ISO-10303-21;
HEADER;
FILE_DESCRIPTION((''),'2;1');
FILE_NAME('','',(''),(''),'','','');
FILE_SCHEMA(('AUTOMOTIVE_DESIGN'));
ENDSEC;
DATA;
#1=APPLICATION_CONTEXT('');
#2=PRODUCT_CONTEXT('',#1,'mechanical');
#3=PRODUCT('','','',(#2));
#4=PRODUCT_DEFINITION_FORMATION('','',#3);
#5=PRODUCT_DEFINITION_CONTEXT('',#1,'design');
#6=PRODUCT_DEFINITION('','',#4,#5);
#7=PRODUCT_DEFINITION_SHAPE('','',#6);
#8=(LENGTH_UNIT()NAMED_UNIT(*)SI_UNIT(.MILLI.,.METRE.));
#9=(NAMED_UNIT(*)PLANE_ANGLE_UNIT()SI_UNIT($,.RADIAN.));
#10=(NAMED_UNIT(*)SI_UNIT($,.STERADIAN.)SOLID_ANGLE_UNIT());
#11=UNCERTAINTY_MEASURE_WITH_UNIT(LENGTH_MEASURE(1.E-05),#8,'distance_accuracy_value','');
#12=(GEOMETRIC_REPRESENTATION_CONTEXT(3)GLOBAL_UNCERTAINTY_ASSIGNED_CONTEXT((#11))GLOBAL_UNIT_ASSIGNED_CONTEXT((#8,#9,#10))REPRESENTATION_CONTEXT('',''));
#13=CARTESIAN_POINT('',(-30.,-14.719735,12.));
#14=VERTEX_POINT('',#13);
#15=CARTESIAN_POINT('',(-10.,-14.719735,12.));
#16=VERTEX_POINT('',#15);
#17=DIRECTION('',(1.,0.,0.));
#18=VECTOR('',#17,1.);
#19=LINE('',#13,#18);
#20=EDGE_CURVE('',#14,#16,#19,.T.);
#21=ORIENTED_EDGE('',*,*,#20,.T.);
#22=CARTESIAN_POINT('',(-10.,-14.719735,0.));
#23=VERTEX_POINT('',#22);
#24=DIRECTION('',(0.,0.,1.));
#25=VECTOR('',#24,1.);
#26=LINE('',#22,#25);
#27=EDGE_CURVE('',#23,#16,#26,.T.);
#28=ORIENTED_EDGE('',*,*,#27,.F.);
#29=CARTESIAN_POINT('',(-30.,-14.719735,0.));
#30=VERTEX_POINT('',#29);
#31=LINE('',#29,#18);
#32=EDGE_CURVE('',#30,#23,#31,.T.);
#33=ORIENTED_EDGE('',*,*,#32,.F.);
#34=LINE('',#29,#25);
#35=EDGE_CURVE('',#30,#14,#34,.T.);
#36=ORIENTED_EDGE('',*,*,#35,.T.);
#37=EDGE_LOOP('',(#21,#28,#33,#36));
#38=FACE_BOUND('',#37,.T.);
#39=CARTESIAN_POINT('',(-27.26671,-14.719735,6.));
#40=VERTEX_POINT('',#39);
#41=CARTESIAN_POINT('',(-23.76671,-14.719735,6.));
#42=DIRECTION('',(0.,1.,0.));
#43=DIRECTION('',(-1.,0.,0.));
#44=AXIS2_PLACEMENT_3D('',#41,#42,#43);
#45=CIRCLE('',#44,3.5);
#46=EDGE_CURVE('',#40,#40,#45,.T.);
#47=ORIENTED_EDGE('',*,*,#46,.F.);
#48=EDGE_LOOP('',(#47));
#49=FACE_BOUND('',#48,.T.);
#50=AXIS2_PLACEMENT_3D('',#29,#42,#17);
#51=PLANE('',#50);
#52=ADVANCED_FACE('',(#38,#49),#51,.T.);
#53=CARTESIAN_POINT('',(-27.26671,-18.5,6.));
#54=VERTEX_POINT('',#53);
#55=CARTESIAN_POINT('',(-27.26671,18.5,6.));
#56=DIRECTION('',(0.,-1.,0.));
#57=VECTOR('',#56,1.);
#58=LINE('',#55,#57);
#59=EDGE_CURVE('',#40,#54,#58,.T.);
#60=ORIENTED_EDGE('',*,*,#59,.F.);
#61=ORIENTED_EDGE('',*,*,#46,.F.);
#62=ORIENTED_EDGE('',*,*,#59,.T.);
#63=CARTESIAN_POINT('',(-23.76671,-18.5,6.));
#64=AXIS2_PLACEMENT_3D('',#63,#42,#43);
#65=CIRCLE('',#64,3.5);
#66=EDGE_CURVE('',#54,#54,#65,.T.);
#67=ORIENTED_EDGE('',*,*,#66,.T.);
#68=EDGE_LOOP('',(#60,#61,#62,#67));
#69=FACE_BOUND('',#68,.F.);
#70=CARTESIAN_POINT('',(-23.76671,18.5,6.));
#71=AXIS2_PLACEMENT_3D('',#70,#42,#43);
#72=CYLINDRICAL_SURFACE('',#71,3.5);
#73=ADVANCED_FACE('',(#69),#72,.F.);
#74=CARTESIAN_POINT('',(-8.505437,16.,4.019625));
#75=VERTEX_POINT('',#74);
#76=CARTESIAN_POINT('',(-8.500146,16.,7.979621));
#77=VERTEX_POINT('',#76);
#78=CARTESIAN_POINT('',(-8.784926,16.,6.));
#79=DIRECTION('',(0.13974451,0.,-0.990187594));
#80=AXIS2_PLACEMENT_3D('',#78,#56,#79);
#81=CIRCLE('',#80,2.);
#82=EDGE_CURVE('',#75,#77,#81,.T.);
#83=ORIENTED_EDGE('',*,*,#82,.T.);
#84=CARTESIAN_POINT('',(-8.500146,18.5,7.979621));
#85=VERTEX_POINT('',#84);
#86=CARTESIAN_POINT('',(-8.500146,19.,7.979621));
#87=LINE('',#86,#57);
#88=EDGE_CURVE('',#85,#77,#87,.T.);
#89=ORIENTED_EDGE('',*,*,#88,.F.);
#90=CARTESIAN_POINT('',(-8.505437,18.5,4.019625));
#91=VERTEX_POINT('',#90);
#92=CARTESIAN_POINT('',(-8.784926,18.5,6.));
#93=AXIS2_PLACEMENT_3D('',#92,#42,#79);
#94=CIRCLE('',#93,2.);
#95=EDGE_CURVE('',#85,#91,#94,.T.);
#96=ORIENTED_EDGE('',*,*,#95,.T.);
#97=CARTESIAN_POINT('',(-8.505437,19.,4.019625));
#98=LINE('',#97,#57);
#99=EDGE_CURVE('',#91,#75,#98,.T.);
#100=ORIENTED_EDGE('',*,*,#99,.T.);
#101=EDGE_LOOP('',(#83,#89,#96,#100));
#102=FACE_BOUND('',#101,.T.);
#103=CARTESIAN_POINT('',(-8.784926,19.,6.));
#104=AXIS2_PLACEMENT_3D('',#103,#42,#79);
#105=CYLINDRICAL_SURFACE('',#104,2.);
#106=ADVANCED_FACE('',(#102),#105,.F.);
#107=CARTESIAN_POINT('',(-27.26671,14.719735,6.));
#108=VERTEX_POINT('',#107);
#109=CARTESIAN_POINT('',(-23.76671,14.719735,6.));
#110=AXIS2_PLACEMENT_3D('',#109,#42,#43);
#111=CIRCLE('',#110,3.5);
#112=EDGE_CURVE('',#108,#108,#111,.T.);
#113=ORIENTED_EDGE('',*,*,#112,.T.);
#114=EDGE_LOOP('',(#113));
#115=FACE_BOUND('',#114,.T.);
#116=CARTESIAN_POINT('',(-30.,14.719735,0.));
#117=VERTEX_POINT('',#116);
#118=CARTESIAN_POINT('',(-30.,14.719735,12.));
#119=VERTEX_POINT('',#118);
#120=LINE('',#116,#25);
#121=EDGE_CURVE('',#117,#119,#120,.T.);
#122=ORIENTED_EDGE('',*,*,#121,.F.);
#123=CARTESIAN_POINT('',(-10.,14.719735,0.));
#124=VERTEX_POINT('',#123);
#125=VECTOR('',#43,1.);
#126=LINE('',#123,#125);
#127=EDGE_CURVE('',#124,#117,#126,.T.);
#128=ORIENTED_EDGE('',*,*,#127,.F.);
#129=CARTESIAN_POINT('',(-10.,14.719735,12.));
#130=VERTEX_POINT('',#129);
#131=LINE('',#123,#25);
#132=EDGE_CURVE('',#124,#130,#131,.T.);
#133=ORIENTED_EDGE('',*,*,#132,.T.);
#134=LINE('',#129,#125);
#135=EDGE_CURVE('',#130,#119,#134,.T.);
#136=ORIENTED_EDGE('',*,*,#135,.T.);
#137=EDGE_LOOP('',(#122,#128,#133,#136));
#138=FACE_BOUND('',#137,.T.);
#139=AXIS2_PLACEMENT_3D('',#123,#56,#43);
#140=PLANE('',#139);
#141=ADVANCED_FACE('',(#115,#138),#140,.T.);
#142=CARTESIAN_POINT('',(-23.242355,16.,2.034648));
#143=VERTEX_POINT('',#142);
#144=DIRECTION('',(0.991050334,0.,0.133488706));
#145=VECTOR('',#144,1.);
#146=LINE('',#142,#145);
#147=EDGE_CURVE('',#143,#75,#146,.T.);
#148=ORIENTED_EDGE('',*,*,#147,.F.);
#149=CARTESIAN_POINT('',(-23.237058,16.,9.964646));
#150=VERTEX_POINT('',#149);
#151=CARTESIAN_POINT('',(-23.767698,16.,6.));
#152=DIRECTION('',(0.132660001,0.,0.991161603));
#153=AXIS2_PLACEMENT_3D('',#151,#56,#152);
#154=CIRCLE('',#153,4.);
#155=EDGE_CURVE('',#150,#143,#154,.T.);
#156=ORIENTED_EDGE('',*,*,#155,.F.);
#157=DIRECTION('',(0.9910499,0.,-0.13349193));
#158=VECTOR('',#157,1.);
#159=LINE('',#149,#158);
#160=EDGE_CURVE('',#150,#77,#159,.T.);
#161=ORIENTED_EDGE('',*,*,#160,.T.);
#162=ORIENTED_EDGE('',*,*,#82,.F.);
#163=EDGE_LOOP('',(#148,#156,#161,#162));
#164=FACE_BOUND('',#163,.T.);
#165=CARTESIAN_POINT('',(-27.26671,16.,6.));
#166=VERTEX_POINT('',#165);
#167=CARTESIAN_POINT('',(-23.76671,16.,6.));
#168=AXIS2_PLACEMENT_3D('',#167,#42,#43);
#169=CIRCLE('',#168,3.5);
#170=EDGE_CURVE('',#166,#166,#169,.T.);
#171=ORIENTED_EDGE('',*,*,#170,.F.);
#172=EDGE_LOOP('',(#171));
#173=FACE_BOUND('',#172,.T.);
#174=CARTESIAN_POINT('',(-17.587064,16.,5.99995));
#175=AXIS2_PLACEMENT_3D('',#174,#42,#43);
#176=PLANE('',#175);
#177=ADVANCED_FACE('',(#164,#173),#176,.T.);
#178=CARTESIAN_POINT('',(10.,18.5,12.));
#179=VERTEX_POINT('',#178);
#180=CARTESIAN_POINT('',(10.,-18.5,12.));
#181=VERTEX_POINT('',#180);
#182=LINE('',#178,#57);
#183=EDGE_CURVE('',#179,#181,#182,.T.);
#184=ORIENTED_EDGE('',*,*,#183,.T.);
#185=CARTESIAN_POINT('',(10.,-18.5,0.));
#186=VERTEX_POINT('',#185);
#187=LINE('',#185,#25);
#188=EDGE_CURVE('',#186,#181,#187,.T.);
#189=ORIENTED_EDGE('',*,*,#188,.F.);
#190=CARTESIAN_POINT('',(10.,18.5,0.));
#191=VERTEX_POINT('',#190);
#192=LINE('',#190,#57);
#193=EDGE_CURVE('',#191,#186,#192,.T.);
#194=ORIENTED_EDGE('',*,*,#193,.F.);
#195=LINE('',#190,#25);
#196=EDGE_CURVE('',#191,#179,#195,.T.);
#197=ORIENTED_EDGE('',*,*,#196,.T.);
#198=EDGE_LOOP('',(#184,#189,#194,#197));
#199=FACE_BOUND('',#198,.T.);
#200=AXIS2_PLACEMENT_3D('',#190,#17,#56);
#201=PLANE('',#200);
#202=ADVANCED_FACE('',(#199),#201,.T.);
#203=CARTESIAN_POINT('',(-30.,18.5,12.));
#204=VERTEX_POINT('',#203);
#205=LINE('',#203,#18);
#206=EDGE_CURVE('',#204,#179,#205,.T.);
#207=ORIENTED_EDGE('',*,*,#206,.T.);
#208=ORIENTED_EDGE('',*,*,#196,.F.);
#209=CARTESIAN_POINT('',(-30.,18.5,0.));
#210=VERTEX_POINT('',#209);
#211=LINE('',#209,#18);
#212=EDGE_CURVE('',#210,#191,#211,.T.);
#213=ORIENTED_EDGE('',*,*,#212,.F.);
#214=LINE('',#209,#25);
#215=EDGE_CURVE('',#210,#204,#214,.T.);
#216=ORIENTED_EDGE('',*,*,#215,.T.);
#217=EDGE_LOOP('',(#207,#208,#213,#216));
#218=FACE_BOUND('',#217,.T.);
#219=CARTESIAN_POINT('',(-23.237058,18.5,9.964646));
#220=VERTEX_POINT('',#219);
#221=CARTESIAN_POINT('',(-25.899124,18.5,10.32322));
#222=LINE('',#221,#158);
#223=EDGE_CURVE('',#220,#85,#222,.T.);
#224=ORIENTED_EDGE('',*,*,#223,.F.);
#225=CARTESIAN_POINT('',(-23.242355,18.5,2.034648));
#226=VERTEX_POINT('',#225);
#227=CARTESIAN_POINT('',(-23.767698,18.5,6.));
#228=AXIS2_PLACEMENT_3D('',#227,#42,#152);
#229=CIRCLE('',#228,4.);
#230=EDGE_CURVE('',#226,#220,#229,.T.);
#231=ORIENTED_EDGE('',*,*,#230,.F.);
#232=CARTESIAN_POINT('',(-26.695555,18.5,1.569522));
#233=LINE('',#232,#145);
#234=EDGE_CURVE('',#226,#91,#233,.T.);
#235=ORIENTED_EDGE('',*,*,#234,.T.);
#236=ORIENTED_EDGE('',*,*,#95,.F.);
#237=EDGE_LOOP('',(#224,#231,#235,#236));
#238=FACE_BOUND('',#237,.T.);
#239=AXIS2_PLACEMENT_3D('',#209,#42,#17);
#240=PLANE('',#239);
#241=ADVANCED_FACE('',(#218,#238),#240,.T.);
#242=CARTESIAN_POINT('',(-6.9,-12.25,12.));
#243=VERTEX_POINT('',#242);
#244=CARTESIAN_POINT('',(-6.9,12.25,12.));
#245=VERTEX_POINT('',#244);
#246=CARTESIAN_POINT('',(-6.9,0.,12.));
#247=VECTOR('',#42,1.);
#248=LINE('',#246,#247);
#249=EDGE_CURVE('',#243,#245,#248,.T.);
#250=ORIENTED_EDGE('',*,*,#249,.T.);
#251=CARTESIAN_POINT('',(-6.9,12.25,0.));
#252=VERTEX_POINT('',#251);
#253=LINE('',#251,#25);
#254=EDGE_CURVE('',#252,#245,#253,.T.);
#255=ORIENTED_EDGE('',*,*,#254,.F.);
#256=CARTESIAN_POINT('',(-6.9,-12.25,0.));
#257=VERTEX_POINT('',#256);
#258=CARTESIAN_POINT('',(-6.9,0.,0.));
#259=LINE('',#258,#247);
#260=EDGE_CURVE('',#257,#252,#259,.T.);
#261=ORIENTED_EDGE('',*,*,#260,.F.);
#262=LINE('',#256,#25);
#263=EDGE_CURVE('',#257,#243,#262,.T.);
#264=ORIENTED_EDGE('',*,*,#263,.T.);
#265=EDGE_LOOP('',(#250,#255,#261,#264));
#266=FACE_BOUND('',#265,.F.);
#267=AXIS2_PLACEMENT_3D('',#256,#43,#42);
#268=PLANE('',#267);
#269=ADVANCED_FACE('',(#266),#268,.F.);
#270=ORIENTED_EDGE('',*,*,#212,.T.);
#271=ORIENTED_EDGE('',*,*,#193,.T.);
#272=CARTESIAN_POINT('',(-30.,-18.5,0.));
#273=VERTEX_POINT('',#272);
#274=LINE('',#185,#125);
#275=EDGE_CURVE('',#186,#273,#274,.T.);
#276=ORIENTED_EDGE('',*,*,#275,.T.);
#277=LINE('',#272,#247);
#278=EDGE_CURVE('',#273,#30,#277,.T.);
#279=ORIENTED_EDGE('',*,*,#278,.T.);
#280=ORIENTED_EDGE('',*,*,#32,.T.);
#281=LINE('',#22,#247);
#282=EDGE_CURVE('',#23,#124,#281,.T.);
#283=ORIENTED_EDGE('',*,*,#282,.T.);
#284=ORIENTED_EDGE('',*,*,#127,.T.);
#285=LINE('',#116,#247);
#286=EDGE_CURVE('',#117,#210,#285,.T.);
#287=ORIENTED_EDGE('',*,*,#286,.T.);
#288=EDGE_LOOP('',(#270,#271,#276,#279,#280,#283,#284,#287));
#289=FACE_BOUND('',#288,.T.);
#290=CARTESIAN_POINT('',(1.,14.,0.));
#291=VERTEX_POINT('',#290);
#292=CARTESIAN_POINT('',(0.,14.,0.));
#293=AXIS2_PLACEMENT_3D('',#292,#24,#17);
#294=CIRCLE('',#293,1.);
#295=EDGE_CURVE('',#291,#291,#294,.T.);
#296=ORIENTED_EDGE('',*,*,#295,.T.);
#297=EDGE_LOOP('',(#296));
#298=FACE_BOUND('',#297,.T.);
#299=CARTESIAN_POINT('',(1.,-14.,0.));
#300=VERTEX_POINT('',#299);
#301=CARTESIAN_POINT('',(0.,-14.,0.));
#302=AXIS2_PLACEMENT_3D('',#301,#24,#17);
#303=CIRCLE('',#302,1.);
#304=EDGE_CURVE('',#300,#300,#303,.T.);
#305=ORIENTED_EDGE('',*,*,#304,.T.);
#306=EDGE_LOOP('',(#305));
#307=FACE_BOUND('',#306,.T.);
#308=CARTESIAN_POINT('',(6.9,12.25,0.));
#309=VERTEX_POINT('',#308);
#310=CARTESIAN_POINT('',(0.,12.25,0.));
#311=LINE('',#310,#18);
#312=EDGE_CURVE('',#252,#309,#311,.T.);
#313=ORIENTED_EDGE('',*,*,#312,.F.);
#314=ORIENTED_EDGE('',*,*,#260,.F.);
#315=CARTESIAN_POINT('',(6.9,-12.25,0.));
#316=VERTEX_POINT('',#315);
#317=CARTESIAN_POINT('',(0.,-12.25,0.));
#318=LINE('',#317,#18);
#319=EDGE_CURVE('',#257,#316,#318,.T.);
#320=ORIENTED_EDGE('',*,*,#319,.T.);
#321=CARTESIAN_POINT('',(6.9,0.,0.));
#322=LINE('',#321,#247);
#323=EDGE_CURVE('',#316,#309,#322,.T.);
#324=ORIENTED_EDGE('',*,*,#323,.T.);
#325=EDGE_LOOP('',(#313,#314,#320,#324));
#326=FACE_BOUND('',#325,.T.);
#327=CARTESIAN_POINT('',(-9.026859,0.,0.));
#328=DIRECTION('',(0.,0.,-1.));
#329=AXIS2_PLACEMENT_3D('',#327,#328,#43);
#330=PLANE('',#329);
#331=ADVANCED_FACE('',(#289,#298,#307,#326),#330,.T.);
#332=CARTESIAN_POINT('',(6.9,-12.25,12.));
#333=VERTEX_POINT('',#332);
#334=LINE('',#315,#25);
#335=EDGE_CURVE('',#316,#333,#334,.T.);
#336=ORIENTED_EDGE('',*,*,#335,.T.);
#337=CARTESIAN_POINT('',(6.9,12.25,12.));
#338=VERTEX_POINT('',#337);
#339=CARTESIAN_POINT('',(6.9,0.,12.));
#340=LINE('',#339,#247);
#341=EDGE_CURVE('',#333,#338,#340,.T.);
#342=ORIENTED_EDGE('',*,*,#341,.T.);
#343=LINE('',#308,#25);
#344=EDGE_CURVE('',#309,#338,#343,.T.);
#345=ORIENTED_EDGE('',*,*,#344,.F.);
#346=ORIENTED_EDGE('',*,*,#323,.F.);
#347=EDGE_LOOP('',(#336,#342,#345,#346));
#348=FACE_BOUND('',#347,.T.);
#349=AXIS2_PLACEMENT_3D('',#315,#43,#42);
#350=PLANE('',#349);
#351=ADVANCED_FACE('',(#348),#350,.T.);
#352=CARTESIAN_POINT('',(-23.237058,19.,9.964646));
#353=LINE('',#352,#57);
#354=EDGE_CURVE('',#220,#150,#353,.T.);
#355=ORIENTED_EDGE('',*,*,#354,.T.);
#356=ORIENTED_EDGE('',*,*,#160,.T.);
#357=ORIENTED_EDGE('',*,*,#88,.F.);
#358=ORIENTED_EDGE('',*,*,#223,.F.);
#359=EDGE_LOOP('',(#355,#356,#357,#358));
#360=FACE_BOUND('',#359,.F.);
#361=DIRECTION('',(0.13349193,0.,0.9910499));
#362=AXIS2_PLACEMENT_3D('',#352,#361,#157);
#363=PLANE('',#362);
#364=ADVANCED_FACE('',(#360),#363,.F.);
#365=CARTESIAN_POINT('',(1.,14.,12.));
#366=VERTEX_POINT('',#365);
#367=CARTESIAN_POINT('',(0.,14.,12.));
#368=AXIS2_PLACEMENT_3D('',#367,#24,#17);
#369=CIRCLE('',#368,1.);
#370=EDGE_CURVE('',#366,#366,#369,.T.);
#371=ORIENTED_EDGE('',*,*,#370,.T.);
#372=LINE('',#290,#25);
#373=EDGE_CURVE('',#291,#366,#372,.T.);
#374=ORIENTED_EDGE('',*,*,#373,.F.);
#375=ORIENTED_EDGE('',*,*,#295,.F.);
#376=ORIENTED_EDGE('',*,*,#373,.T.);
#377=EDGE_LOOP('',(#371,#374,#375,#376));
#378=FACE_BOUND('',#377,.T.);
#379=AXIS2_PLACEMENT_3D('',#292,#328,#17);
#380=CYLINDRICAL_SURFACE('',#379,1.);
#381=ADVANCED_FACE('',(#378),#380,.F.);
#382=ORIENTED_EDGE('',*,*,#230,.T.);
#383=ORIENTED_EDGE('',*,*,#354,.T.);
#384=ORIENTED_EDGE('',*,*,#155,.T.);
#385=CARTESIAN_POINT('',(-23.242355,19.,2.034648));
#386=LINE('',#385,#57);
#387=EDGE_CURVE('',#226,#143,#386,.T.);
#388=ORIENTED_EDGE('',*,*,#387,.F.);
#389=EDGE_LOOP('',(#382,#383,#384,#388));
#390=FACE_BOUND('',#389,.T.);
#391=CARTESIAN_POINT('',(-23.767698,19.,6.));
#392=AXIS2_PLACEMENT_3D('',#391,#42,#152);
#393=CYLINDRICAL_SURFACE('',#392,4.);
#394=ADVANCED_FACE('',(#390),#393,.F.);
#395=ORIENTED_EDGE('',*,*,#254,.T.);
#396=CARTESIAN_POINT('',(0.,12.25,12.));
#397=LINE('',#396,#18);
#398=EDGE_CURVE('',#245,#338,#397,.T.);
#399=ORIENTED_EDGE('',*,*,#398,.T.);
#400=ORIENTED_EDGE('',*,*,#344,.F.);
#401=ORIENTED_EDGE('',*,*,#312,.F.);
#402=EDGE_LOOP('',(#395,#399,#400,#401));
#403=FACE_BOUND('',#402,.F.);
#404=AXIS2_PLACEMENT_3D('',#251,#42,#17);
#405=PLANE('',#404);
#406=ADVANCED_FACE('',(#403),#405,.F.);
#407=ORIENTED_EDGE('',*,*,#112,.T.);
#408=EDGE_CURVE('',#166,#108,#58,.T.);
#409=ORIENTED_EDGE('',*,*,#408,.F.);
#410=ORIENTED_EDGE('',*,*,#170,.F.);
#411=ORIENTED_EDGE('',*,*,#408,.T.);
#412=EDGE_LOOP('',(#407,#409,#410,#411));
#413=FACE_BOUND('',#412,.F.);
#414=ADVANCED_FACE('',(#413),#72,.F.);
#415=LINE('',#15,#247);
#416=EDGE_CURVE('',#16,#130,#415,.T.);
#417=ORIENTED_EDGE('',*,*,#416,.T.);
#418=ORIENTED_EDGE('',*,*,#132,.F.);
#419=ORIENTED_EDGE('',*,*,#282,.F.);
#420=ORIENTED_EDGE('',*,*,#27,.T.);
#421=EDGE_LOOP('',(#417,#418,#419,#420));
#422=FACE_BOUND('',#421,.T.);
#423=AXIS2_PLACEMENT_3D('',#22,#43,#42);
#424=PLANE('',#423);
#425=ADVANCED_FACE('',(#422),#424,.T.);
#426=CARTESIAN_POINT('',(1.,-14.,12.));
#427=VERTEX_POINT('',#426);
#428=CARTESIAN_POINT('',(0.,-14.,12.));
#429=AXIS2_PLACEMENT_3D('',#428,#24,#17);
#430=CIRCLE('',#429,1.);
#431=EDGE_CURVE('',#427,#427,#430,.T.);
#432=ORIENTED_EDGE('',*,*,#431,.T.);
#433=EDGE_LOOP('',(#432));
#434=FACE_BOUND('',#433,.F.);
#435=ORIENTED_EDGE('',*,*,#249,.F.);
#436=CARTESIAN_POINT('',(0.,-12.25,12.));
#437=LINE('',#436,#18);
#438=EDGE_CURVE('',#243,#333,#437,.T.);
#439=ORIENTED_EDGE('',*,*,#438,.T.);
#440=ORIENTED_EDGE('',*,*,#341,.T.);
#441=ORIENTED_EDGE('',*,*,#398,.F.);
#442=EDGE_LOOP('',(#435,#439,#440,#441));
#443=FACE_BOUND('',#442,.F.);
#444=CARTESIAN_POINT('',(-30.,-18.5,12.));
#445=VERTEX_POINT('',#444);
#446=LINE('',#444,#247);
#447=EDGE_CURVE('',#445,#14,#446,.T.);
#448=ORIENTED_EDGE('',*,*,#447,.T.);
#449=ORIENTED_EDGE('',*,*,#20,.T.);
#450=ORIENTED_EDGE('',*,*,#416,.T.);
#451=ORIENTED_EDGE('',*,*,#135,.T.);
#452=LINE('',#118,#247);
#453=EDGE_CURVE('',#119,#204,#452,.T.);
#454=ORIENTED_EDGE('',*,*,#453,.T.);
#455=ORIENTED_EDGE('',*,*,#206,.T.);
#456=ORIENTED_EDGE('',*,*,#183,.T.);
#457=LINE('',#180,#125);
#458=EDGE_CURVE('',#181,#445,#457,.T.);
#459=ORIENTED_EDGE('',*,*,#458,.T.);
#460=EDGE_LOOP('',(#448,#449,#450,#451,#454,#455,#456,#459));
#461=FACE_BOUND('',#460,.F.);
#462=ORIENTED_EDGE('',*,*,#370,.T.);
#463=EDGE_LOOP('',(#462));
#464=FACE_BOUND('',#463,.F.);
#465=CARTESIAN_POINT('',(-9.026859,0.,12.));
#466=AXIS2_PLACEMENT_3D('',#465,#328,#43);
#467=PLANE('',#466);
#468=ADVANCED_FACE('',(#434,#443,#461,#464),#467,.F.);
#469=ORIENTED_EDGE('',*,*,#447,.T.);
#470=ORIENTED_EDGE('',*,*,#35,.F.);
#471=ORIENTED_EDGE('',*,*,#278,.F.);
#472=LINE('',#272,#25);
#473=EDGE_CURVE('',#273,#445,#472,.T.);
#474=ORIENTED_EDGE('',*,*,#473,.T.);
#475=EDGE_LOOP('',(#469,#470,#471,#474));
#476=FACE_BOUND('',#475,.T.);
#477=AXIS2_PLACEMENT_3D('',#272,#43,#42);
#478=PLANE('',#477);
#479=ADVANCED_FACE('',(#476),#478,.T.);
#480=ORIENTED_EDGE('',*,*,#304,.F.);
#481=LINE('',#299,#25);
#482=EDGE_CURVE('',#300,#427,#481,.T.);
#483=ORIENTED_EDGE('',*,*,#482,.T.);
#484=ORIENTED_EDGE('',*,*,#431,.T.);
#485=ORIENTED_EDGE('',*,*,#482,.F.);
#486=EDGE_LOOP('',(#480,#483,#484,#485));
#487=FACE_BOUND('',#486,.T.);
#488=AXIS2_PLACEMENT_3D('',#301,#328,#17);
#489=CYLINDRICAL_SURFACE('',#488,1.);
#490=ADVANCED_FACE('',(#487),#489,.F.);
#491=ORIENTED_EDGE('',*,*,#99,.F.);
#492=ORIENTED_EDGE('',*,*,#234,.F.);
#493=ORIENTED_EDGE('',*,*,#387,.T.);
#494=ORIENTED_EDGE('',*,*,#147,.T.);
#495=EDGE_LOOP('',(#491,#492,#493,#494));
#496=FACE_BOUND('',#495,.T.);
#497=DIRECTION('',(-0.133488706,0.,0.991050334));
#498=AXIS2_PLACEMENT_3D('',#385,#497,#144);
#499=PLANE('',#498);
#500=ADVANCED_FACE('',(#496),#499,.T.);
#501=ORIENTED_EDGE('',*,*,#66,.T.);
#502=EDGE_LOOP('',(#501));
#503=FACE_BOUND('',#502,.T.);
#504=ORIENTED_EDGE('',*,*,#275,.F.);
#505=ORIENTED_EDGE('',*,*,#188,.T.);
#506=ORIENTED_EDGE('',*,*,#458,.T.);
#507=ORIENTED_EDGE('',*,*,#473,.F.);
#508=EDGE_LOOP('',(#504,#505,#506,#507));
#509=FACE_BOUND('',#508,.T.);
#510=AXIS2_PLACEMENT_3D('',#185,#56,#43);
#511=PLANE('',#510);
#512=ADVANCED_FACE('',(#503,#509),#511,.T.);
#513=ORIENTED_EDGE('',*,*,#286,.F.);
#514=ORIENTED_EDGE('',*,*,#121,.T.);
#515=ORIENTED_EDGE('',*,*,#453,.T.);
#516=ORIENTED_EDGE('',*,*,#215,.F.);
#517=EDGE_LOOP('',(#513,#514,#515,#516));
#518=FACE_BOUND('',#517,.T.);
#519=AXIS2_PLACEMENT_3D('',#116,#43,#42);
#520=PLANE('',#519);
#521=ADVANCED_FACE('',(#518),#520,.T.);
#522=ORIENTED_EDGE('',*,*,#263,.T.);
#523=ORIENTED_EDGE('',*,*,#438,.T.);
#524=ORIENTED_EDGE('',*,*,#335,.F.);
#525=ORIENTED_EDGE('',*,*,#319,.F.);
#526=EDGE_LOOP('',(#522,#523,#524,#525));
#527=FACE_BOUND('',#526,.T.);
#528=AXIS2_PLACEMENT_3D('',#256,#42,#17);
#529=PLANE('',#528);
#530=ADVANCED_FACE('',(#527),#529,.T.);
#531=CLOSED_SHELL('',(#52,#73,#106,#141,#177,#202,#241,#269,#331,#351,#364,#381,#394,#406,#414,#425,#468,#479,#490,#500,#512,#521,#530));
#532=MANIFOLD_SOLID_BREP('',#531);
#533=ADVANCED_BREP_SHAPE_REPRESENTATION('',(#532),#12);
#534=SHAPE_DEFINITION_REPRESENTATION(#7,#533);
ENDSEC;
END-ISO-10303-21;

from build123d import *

# Parameters (mm, degrees)
SKETCH_R        = 1
SKETCH_W        = 13.8
SKETCH_H        = 24.5
PAD_DEPTH       = 12
SKETCH001_R     = 3.5
POCKET_DEPTH    = 37.001
POCKET001_DEPTH = 3


with BuildPart() as part:
    # Sketch → Pad (new body)
    with BuildSketch(Plane.XY):
        Polygon((-30, 18.5), (10, 18.5), (10, -18.5), (-30, -18.5), (-30, -14.719735), (-10, -14.719735), (-10, 14.719735), (-30, 14.719735), align=None)
        with Locations((0, -14)):
            Circle(SKETCH_R, mode=Mode.SUBTRACT)
        with Locations((0, 14)):
            Circle(SKETCH_R, mode=Mode.SUBTRACT)
        Rectangle(SKETCH_W, SKETCH_H, mode=Mode.SUBTRACT)
    extrude(amount=PAD_DEPTH)

    # Sketch001 (on Face2 of Pad) → Pocket (cut, through all)
    with BuildSketch(Plane(origin=(0, 18.5, 0), x_dir=(-1, 0, 0), z_dir=(0, 1, 0))):
        with Locations((23.76671, 6)):
            Circle(SKETCH001_R)
    extrude(amount=-POCKET_DEPTH, mode=Mode.SUBTRACT)

    # Sketch002 → Pocket001 (cut)
    with BuildSketch(Plane.XZ.offset(-19)):
        with BuildLine():
            Line((-23.237058, 9.964646), (-8.500146, 7.979621))
            ThreePointArc((-8.505437, 4.019625), (-6.784928, 5.997328), (-8.500146, 7.979621))
            Line((-23.242355, 2.034648), (-8.505437, 4.019625))
            ThreePointArc((-23.237058, 9.964646), (-27.767697, 6.002672), (-23.242355, 2.034648))
        make_face()
    extrude(amount=POCKET001_DEPTH, mode=Mode.SUBTRACT)


solid = part.part
